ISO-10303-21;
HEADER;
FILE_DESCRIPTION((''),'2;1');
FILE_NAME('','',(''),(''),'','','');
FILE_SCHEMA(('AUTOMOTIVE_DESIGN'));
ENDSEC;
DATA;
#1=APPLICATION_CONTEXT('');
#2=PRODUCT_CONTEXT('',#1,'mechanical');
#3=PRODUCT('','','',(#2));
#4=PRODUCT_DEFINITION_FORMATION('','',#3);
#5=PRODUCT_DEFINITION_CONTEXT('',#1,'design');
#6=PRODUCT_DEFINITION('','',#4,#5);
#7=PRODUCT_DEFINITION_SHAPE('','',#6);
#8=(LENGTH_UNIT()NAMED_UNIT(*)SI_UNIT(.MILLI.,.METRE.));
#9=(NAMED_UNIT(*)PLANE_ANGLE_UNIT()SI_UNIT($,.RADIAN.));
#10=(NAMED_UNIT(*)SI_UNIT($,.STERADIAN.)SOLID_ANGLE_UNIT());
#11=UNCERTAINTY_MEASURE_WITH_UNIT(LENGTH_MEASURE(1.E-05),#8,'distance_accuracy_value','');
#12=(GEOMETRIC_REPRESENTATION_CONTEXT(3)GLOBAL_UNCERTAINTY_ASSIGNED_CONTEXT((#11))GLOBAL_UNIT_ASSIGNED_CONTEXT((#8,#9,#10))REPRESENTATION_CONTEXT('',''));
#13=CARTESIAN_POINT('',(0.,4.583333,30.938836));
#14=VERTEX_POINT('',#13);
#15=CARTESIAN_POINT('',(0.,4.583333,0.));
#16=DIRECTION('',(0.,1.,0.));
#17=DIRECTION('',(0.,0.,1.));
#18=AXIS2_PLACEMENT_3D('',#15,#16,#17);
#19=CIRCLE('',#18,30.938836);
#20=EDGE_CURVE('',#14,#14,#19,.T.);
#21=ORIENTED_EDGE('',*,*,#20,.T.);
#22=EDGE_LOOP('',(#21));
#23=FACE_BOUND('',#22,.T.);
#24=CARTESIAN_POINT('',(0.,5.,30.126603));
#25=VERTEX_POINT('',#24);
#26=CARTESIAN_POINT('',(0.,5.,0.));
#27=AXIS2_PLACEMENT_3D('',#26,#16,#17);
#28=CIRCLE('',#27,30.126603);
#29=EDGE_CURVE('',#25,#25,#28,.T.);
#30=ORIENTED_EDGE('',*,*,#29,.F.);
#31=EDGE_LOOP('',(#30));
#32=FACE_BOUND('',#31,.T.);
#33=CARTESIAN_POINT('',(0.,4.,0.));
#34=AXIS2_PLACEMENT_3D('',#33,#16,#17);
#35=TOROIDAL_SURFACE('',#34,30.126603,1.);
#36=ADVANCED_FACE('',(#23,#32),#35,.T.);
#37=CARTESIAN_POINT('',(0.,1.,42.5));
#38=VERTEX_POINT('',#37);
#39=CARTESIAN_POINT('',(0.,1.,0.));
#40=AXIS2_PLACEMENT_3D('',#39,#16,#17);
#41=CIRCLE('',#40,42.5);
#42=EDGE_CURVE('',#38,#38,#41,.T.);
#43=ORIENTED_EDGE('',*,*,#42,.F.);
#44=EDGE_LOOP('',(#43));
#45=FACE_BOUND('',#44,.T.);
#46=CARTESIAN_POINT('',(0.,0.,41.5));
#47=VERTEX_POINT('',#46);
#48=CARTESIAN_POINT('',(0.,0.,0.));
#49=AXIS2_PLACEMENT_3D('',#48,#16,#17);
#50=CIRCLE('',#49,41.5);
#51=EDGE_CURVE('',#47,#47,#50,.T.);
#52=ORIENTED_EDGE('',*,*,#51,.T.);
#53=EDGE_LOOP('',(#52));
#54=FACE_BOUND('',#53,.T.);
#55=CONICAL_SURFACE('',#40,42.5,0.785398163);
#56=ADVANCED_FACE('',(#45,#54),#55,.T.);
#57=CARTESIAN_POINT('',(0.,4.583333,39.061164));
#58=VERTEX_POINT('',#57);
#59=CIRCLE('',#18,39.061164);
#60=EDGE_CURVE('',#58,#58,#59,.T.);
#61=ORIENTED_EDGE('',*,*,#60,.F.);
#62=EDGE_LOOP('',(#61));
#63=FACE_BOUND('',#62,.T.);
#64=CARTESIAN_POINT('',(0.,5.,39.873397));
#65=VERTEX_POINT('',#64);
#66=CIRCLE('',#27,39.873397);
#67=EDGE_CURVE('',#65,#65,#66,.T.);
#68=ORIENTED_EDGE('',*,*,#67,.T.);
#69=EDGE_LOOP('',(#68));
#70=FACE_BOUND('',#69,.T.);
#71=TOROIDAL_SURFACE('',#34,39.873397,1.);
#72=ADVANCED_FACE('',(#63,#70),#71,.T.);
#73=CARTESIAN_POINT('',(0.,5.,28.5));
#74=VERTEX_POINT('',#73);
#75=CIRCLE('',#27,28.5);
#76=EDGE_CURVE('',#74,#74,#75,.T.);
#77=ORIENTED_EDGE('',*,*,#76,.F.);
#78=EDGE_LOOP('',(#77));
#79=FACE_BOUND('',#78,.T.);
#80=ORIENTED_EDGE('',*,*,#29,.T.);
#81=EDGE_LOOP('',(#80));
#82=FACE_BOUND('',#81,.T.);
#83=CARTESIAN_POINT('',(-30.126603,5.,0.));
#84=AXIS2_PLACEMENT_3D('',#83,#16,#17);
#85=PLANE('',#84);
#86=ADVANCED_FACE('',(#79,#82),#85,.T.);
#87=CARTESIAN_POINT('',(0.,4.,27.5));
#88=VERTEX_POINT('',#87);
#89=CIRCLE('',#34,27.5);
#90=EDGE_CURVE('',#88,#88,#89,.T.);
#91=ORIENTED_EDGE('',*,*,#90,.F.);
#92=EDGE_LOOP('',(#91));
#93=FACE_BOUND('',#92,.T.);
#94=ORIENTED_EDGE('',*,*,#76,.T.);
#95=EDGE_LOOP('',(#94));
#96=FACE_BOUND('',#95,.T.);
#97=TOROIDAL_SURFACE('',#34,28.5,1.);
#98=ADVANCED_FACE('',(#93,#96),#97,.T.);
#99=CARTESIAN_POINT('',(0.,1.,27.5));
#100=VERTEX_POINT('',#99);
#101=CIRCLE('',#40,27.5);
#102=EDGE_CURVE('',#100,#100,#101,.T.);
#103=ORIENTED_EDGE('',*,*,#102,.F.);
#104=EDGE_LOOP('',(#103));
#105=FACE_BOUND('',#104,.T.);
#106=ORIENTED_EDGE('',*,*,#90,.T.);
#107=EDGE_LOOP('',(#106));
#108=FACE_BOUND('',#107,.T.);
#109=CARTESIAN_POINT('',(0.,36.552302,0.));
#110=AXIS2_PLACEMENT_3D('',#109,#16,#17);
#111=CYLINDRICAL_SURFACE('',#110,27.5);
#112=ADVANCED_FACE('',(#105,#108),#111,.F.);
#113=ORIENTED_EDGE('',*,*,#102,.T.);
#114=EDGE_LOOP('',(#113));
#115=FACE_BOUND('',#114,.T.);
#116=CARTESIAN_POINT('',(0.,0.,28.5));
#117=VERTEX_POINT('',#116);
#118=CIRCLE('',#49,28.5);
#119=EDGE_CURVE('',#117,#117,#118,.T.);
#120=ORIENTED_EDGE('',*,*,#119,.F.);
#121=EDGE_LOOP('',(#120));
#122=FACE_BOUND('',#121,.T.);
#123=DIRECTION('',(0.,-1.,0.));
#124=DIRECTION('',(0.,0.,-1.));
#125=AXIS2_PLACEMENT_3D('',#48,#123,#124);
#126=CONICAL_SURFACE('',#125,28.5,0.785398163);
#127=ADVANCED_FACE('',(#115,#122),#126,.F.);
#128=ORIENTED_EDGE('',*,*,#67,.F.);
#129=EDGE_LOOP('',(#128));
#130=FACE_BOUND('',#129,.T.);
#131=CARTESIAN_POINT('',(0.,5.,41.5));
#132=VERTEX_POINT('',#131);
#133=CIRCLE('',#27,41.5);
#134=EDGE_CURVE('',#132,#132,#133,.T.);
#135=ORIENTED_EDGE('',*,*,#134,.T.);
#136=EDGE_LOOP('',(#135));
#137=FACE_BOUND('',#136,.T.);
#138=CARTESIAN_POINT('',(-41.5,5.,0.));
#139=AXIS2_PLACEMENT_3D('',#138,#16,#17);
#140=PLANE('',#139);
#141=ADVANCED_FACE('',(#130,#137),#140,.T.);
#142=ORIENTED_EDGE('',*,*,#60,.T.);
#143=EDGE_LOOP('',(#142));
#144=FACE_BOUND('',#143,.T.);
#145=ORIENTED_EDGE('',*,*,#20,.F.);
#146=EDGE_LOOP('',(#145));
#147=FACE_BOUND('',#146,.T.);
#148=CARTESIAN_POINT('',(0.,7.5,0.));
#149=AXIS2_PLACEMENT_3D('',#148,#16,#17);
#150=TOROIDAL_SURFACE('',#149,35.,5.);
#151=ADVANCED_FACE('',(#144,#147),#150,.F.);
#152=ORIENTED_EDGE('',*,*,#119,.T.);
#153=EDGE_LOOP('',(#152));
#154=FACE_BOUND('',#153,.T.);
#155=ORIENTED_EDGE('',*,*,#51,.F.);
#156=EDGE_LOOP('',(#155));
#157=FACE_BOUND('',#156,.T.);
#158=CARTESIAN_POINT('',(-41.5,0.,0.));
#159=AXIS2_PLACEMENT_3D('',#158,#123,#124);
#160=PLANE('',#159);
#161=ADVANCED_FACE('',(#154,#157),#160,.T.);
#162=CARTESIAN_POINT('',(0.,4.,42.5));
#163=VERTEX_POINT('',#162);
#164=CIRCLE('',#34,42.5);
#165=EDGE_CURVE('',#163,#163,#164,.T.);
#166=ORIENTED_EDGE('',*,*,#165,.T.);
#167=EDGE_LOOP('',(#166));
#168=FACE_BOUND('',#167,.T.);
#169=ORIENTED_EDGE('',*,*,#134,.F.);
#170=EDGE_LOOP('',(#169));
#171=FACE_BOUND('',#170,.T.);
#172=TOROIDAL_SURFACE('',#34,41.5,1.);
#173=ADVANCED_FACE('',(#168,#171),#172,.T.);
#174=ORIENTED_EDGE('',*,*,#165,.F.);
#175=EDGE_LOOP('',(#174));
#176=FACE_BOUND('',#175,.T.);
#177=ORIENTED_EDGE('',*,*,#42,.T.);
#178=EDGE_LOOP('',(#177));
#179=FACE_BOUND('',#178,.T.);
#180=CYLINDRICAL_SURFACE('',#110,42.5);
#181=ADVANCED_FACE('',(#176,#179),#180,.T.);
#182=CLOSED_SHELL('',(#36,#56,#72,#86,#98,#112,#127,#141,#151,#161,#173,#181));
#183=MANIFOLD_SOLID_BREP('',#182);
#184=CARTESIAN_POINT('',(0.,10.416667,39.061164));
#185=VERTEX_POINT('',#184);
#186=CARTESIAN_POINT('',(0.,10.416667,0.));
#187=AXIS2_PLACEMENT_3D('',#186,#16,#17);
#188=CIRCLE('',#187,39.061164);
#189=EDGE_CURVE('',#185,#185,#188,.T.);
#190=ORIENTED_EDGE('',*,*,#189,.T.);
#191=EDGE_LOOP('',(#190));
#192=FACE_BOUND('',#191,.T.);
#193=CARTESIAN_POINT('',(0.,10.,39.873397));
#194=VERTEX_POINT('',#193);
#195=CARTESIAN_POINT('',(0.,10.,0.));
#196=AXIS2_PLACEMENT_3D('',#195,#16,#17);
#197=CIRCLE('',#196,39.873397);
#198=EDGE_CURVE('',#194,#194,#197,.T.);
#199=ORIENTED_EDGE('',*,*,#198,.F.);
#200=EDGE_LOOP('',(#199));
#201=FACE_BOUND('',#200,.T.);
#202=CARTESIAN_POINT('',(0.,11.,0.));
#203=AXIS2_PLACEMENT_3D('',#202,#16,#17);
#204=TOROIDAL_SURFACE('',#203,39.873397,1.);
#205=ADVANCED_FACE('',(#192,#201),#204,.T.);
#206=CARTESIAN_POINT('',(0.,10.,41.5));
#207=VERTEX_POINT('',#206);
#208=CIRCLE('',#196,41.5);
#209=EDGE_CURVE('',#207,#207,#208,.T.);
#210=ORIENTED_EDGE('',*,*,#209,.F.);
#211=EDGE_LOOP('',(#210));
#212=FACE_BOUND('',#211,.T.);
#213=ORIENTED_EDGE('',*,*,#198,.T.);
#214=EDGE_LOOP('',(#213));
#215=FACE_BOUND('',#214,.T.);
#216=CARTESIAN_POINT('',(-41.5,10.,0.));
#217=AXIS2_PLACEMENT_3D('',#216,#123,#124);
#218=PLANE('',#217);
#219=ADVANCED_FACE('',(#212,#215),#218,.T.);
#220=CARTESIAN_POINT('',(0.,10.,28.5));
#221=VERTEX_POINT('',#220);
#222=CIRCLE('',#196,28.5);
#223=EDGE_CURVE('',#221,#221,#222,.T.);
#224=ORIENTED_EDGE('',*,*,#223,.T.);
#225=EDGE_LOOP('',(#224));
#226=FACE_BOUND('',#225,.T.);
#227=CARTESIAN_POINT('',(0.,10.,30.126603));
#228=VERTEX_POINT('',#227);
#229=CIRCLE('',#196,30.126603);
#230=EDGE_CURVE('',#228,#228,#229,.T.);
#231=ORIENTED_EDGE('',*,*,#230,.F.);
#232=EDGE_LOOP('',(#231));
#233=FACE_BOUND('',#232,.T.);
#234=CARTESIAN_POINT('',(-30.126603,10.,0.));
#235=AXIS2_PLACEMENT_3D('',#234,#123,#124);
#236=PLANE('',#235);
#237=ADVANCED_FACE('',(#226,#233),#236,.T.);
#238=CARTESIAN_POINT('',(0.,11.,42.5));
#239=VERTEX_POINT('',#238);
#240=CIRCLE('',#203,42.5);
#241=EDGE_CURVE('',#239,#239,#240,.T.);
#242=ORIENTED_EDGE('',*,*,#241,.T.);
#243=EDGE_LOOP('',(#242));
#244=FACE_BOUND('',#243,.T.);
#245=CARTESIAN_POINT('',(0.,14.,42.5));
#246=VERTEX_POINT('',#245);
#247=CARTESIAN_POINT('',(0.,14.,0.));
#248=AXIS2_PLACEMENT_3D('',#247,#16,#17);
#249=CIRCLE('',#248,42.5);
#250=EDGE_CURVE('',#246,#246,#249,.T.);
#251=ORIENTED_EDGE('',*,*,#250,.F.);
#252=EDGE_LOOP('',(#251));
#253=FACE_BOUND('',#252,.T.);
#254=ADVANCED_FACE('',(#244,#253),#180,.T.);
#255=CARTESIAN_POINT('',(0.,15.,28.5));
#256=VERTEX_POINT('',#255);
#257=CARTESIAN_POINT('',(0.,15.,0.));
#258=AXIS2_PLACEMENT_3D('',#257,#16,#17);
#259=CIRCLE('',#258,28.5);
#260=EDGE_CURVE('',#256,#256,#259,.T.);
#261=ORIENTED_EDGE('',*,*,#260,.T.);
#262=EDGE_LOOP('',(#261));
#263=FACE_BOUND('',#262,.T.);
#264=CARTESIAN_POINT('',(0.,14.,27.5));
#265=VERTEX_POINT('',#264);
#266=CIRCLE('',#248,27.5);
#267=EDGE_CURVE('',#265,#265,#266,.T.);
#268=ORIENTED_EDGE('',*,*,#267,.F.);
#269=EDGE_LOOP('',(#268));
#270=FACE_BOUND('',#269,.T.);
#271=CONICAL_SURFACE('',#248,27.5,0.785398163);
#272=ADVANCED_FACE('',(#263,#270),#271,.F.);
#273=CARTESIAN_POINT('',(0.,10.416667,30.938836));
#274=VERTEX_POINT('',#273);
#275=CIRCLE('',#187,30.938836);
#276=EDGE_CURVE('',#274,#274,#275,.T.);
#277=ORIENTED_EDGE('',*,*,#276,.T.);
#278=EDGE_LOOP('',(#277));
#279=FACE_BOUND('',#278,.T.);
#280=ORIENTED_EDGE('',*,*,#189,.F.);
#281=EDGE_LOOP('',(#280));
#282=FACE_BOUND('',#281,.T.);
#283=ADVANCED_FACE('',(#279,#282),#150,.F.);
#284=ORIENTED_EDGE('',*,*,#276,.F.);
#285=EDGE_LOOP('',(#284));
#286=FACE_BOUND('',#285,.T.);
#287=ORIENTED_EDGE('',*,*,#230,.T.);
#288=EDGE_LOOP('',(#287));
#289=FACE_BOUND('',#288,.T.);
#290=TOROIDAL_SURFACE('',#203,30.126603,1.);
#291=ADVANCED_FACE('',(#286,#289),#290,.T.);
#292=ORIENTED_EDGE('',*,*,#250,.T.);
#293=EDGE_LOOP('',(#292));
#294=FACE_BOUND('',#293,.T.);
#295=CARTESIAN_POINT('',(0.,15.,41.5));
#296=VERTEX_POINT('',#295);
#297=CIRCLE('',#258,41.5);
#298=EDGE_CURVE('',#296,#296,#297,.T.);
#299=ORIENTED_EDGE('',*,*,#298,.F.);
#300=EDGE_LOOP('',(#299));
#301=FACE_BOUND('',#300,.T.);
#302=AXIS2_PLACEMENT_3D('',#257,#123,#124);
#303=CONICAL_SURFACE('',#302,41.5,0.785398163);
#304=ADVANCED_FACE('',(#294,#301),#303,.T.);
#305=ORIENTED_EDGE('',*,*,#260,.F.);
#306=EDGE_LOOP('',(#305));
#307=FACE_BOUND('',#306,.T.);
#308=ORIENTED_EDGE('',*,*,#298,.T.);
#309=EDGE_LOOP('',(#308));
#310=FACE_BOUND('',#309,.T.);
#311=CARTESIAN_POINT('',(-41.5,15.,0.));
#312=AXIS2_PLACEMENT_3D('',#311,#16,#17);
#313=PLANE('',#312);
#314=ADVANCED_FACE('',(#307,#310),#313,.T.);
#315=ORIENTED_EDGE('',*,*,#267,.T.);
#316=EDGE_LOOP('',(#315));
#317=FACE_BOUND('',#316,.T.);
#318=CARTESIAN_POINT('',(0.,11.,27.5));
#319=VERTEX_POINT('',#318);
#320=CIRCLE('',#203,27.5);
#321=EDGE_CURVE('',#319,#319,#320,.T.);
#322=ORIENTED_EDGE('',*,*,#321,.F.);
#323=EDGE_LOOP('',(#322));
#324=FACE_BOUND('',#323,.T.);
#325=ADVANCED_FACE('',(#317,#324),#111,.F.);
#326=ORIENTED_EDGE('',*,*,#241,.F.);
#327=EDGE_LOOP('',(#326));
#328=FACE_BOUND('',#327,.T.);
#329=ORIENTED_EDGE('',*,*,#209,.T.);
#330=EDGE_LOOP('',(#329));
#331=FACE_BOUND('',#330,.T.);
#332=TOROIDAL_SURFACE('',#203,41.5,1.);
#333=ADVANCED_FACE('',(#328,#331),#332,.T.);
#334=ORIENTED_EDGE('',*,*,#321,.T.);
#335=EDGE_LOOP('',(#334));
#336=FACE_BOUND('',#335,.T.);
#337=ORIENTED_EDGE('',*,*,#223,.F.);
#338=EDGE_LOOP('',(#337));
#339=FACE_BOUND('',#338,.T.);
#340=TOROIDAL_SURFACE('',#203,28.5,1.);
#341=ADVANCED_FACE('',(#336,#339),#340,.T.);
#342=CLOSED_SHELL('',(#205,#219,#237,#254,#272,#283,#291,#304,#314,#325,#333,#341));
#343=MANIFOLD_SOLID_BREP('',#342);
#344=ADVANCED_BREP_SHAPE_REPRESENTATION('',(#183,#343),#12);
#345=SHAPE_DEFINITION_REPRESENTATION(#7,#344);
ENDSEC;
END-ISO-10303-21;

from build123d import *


with BuildPart() as part:
    # Sketch1 → Revolve1 (revolve)
    with BuildSketch(Plane.XY, mode=Mode.PRIVATE) as revolve1_sk:
        with BuildLine():
            Line((-41.5, 5), (-39.873397172, 5))
            ThreePointArc((-39.873397172, 5), (-39.416961708, 4.889756521), (-39.06116431, 4.583333333))
            ThreePointArc((-39.06116431, 4.583333333), (-35, 2.5), (-30.93883569, 4.583333333))
            ThreePointArc((-30.93883569, 4.583333333), (-30.583038292, 4.889756521), (-30.126602828, 5))
            Line((-30.126602828, 5), (-28.5, 5))
            ThreePointArc((-28.5, 5), (-27.792893219, 4.707106781), (-27.5, 4))
            Line((-27.5, 4), (-27.5, 1))
            Line((-27.5, 1), (-28.5, 0))
            Line((-28.5, 0), (-41.5, 0))
            Line((-41.5, 0), (-42.5, 1))
            Line((-42.5, 1), (-42.5, 4))
            ThreePointArc((-42.5, 4), (-42.207106781, 4.707106781), (-41.5, 5))
        make_face()
        with BuildLine():
            Line((-41.5, 15), (-28.5, 15))
            Line((-28.5, 15), (-27.5, 14))
            Line((-27.5, 14), (-27.5, 11))
            ThreePointArc((-27.5, 11), (-27.792893219, 10.292893219), (-28.5, 10))
            Line((-28.5, 10), (-30.126602828, 10))
            ThreePointArc((-30.126602828, 10), (-30.583038292, 10.110243479), (-30.93883569, 10.416666667))
            ThreePointArc((-30.93883569, 10.416666667), (-35, 12.5), (-39.06116431, 10.416666667))
            ThreePointArc((-39.06116431, 10.416666667), (-39.416961708, 10.110243479), (-39.873397172, 10))
            Line((-39.873397172, 10), (-41.5, 10))
            ThreePointArc((-41.5, 10), (-42.207106781, 10.292893219), (-42.5, 11))
            Line((-42.5, 11), (-42.5, 14))
            Line((-42.5, 14), (-41.5, 15))
        make_face()
    revolve(revolve1_sk.sketch.rotate(Axis((0, 36.552301565, 0), (0, -1, 0)), 270), axis=Axis((0, 36.552301565, 0), (0, -1, 0)))


solid = part.part
